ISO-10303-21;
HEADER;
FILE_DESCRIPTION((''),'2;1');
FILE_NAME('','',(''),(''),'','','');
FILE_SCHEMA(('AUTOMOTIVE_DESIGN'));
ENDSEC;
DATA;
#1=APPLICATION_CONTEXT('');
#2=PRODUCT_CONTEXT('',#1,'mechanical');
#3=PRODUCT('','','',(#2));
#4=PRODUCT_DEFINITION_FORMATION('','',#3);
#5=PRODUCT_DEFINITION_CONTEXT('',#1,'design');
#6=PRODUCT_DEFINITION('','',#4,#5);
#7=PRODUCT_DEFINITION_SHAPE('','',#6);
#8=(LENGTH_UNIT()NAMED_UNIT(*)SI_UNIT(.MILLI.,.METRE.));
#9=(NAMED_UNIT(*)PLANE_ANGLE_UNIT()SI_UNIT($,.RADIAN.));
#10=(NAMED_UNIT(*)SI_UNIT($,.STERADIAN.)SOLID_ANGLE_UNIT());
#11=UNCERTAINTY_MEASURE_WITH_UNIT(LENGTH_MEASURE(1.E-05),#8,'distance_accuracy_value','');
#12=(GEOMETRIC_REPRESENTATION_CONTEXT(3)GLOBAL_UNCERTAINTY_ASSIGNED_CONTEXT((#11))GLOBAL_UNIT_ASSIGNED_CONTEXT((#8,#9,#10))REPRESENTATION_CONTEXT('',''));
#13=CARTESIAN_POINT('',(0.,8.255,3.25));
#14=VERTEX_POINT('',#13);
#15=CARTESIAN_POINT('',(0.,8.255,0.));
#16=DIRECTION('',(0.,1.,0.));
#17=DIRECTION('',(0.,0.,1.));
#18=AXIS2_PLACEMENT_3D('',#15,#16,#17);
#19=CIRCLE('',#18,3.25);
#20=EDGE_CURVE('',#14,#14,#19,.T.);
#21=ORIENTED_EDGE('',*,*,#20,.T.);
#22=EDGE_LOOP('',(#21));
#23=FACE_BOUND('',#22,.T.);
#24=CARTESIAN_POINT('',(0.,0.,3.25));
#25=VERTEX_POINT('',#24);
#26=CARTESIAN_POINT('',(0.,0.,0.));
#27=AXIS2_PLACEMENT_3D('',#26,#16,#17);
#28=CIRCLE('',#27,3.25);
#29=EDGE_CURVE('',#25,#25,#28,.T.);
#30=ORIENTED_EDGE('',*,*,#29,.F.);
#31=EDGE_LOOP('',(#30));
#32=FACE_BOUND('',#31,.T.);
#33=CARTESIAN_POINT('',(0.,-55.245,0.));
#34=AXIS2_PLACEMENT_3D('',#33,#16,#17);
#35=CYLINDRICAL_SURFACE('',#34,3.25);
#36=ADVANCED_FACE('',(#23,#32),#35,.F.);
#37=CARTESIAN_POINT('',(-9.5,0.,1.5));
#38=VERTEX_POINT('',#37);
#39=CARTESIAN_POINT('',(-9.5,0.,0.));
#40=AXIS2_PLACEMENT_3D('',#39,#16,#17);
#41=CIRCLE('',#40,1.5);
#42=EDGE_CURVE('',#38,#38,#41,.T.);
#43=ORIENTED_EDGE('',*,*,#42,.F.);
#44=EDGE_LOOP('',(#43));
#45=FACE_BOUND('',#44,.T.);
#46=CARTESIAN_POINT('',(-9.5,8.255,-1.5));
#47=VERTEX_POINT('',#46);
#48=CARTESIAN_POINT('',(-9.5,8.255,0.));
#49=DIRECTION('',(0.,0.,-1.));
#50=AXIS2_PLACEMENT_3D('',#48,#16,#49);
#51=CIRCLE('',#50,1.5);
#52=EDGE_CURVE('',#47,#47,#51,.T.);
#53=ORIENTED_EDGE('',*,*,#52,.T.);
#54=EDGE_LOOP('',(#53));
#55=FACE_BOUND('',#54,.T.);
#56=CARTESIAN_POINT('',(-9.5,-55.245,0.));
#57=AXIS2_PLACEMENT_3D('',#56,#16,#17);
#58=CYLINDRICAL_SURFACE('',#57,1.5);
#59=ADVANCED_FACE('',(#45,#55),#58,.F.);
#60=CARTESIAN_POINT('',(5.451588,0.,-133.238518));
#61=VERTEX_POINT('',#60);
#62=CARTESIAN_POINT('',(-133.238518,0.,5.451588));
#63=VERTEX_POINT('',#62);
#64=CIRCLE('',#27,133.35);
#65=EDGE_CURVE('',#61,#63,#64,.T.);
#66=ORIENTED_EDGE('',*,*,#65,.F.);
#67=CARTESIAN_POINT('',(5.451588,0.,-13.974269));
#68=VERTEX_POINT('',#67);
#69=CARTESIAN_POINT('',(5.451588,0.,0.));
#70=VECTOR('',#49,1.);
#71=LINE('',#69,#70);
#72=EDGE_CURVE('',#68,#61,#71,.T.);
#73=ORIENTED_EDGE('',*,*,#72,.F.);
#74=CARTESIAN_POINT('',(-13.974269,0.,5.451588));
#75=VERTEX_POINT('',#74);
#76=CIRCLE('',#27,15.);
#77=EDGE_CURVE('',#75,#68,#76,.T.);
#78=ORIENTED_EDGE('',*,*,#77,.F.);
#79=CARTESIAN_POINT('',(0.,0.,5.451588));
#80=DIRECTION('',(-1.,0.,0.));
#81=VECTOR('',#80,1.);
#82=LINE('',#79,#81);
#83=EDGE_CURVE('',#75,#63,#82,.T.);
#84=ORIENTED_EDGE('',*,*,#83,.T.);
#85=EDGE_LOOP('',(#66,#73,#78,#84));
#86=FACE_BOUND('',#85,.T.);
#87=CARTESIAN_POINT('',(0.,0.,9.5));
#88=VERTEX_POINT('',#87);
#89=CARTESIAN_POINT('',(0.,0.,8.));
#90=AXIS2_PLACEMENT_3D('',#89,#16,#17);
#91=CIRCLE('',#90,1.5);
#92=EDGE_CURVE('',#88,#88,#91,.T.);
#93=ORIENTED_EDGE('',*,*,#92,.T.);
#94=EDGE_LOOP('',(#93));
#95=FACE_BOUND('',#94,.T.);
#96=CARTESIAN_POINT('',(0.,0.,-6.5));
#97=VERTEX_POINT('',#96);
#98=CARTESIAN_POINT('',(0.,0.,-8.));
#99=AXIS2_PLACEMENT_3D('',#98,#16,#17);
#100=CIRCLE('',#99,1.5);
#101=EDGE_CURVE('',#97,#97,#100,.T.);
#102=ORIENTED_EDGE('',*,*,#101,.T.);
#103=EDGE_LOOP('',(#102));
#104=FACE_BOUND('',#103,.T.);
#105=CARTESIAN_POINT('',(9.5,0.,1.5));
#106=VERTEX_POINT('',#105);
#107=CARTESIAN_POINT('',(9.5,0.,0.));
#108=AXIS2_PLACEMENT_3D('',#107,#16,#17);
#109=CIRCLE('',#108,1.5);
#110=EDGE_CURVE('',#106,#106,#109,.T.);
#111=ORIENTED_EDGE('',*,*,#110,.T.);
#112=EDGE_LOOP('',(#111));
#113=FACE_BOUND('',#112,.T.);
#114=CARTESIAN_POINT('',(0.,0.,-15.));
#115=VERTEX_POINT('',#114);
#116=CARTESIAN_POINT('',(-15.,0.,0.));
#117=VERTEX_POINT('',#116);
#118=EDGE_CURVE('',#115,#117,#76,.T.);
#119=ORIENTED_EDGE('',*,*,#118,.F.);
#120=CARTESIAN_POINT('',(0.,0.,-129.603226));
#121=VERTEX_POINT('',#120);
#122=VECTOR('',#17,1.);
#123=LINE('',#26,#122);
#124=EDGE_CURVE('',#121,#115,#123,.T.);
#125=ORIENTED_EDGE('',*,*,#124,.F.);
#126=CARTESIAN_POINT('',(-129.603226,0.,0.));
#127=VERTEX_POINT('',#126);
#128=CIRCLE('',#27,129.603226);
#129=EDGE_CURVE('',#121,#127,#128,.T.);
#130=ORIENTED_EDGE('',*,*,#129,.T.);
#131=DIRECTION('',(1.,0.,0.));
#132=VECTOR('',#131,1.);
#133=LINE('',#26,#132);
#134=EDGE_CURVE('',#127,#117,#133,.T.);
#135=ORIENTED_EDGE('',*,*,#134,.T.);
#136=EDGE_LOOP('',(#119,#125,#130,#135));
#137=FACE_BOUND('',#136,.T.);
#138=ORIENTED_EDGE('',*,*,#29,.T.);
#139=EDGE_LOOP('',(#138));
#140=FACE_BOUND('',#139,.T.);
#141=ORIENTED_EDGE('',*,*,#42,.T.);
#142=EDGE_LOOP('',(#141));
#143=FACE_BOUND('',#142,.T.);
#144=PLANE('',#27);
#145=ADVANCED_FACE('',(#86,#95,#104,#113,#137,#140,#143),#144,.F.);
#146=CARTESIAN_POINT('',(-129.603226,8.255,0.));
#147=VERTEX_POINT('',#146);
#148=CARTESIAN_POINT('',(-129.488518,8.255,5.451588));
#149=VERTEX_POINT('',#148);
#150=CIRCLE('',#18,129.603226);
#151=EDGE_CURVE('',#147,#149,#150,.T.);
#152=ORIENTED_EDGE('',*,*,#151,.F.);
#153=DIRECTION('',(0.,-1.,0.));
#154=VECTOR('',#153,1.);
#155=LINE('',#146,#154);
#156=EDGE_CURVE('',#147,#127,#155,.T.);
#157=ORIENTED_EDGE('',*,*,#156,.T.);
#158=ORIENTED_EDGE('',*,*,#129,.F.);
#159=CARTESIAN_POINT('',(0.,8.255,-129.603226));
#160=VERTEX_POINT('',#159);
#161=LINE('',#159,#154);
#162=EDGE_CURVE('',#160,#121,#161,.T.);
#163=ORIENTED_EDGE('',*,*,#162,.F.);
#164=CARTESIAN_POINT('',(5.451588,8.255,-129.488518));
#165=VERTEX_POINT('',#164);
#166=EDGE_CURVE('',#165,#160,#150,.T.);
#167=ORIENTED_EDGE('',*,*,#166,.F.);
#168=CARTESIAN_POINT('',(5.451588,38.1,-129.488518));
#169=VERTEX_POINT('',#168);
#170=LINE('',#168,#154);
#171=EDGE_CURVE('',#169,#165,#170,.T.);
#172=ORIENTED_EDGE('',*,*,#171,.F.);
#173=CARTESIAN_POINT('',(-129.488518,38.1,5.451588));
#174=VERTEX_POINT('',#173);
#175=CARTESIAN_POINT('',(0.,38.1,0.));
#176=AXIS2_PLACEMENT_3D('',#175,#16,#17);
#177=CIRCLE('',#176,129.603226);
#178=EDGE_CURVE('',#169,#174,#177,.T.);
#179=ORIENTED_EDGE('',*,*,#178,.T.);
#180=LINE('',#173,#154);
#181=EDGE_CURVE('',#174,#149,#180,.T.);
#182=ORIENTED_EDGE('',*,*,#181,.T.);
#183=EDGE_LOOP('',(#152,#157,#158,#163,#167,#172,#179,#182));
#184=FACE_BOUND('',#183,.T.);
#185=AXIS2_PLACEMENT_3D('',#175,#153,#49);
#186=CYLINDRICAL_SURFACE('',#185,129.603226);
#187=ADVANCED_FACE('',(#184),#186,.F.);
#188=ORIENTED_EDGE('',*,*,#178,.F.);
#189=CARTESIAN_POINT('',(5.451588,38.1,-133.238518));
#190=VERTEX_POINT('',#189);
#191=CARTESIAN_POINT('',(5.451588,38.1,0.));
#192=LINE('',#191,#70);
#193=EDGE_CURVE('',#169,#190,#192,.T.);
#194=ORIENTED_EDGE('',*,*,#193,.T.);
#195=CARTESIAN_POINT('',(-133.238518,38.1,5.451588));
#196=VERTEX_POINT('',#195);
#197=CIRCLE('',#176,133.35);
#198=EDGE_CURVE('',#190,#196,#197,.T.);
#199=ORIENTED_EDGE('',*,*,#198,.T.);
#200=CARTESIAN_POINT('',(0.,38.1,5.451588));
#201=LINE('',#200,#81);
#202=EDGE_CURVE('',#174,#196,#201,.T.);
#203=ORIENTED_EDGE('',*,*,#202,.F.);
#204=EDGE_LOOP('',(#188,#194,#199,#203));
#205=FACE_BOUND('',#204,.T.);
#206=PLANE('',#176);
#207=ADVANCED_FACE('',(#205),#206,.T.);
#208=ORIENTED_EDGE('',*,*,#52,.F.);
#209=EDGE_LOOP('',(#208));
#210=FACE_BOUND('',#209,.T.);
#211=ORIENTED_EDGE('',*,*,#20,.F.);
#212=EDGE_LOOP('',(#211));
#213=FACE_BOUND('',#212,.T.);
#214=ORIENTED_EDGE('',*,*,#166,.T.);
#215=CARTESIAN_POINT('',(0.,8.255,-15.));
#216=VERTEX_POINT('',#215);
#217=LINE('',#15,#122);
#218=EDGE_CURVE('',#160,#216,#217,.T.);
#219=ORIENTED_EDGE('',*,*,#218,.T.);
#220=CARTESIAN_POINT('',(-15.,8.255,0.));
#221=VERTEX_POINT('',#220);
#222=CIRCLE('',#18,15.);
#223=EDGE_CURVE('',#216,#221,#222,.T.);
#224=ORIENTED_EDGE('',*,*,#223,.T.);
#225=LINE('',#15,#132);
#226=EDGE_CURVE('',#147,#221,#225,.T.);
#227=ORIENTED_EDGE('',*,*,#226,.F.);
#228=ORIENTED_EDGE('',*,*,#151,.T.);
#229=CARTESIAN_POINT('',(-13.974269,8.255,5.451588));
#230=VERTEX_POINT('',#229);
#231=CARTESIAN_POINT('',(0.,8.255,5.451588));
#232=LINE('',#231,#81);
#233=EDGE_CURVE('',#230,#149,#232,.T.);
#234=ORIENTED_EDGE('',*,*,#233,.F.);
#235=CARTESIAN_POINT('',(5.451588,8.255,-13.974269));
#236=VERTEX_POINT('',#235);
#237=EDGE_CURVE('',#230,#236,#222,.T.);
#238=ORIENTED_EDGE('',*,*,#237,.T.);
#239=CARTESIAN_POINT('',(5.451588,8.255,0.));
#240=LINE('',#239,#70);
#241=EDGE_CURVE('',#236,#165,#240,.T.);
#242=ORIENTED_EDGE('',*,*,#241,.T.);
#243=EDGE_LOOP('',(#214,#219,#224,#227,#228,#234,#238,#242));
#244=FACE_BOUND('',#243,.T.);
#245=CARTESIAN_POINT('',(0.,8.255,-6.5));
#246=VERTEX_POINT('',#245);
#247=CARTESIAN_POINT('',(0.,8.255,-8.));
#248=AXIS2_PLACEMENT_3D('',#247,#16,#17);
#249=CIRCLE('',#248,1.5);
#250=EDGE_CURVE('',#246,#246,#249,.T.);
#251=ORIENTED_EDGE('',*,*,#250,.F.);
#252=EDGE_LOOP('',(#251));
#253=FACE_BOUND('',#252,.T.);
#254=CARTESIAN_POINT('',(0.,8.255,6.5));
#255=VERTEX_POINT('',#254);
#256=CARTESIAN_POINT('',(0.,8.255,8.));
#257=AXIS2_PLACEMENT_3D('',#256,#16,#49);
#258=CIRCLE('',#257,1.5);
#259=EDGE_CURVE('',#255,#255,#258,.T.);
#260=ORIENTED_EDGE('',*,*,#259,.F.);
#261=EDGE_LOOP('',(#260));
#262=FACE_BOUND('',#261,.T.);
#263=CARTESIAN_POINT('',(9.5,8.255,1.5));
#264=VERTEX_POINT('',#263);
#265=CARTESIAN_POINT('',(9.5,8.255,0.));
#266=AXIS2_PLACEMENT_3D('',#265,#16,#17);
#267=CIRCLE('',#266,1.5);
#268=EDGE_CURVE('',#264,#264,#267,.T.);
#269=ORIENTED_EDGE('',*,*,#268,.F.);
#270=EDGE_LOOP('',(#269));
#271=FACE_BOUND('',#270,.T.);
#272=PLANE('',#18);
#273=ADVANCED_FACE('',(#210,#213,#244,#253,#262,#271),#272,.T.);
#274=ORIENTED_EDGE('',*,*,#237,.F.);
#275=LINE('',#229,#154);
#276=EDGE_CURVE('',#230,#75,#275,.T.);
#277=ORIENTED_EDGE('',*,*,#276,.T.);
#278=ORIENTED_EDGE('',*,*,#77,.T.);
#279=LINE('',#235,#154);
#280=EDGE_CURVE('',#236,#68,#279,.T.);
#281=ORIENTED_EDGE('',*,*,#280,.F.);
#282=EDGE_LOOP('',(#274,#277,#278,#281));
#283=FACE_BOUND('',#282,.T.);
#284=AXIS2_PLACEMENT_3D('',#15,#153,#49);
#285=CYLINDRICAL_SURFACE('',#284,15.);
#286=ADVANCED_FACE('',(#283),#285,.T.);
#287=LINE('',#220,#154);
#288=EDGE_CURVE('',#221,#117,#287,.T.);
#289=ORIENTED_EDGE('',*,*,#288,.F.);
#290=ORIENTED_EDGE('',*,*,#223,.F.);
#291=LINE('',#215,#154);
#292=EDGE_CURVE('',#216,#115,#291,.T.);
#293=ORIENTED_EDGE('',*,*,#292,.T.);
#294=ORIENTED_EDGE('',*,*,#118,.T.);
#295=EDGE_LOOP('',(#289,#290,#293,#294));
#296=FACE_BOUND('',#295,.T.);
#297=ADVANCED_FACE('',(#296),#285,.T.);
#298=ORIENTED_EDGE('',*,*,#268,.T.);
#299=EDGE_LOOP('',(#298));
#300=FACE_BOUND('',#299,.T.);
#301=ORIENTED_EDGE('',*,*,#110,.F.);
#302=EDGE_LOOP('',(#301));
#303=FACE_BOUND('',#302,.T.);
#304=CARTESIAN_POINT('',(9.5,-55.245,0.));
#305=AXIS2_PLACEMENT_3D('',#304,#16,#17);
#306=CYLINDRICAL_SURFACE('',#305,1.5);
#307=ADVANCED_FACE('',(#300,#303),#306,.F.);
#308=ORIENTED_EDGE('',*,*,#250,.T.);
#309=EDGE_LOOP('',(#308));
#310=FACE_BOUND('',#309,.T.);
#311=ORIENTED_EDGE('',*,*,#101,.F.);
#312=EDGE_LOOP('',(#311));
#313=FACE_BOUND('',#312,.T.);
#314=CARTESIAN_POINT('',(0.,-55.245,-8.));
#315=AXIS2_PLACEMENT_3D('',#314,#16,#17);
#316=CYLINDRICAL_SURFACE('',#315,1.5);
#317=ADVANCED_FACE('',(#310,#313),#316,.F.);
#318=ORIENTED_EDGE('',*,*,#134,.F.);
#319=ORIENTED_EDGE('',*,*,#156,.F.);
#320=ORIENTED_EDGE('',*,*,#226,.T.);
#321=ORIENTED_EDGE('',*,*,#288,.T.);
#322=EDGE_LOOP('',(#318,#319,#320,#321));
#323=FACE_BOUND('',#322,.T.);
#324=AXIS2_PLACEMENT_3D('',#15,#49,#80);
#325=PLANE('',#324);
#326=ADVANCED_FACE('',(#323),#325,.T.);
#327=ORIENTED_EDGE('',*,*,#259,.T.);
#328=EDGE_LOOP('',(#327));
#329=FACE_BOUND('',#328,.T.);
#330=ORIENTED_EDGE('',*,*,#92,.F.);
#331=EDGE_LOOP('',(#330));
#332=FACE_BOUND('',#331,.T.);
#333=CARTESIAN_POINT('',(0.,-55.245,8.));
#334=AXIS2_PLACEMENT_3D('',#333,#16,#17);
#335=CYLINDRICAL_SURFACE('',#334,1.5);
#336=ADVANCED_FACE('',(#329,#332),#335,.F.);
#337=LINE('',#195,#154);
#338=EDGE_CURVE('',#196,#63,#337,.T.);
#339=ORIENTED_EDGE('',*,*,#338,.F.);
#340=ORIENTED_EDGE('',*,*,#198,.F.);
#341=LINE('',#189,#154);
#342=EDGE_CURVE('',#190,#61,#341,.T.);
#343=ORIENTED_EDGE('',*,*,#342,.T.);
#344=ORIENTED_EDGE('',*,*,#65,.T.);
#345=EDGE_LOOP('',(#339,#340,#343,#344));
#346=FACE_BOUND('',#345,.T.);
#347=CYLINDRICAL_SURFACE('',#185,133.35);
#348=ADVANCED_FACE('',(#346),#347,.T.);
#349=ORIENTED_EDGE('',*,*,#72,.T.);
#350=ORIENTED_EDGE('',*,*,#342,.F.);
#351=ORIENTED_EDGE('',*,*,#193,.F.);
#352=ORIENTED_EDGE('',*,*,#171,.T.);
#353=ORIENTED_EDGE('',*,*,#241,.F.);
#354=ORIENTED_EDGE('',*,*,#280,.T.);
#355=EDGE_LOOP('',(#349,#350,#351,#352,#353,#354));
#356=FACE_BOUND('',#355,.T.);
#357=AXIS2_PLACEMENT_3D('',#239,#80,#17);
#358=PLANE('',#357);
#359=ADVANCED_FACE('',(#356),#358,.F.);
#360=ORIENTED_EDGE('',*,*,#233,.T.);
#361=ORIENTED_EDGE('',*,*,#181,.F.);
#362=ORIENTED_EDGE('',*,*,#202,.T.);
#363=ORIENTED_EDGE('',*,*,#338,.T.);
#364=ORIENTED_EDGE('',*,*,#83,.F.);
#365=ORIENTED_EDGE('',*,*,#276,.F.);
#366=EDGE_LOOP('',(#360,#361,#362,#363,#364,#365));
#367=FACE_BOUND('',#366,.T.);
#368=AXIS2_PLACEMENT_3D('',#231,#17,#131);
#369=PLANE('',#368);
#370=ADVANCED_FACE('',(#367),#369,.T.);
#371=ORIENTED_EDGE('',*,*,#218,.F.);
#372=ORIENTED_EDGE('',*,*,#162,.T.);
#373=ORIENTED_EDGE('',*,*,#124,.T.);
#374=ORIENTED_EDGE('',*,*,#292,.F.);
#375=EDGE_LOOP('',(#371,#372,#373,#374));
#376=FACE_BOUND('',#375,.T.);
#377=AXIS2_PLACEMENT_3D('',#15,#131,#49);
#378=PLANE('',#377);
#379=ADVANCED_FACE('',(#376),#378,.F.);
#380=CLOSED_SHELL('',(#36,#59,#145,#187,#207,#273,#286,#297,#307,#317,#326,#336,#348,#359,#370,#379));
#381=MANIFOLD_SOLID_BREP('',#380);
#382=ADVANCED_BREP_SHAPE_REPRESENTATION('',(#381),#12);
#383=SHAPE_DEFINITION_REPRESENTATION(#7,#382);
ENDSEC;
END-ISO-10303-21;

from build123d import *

# Parameters (mm, degrees)
SKETCH1_R           = 15
BOSS_EXTRUDE2_DEPTH = 8.255
BOSS_EXTRUDE3_DEPTH = 8.255
BOSS_EXTRUDE4_DEPTH = 38.1
SKETCH5_R           = 1.500000048
SKETCH5_R_2         = 1.5
SKETCH5_R_3         = 3.249999977
CUT_EXTRUDE3_DEPTH  = 63.5


with BuildPart() as part:
    # Sketch1 → Boss-Extrude2 (new body)
    with BuildSketch(Plane(origin=(0, 0, 0), x_dir=(1, 0, 0), z_dir=(0, 1, 0))):
        Circle(SKETCH1_R)
    extrude(amount=BOSS_EXTRUDE2_DEPTH)

    # Sketch1<6> → Boss-Extrude3 (add)
    with BuildSketch(Plane(origin=(0, 0, 0), x_dir=(1, 0, 0), z_dir=(0, 1, 0))):
        with BuildLine():
            ThreePointArc((5.451587957, 129.488518037), (2.726397307, 129.574545619), (0, 129.603225711))
            Line((0, 129.603225711), (0, 15))
            ThreePointArc((0, 15), (2.773622889, 14.741336984), (5.451587957, 13.974268809))
            Line((5.451587957, 13.974268809), (5.451587957, 129.488518037))
        make_face()
        with BuildLine():
            Line((-15, 0), (-129.603225711, 0))
            ThreePointArc((-129.603225711, 0), (-129.574545619, -2.726397307), (-129.488518037, -5.451587957))
            Line((-129.488518037, -5.451587957), (-13.974268809, -5.451587957))
            ThreePointArc((-13.974268809, -5.451587957), (-14.741336984, -2.773622889), (-15, 0))
        make_face()
    extrude(amount=BOSS_EXTRUDE3_DEPTH)

    # Sketch1<7> → Boss-Extrude4 (add)
    with BuildSketch(Plane(origin=(0, 0, 0), x_dir=(1, 0, 0), z_dir=(0, 1, 0))):
        with BuildLine():
            ThreePointArc((-129.603225711, 0), (-91.643319764, 91.643319764), (0, 129.603225711))
            ThreePointArc((0, 129.603225711), (2.726397307, 129.574545619), (5.451587957, 129.488518037))
            Line((5.451587957, 129.488518037), (5.451587957, 133.238518037))
            ThreePointArc((5.451587957, 133.238518037), (-94.292689271, 94.292689271), (-133.238518037, -5.451587957))
            Line((-133.238518037, -5.451587957), (-129.488518037, -5.451587957))
            ThreePointArc((-129.488518037, -5.451587957), (-129.574545619, -2.726397307), (-129.603225711, 0))
        make_face()
    extrude(amount=BOSS_EXTRUDE4_DEPTH)

    # Sketch5 → Cut-Extrude3 (cut)
    with BuildSketch(Plane(origin=(0, 8.255, 0), x_dir=(1, 0, 0), z_dir=(0, 1, 0))):
        with Locations((-9.5, 0)):
            Circle(SKETCH5_R)
        with Locations((0, 8)):
            Circle(SKETCH5_R_2)
        with Locations((0, -8)):
            Circle(SKETCH5_R_2)
        with Locations((9.5, 0)):
            Circle(SKETCH5_R)
        Circle(SKETCH5_R_3)
    extrude(amount=-CUT_EXTRUDE3_DEPTH, mode=Mode.SUBTRACT)


solid = part.part
